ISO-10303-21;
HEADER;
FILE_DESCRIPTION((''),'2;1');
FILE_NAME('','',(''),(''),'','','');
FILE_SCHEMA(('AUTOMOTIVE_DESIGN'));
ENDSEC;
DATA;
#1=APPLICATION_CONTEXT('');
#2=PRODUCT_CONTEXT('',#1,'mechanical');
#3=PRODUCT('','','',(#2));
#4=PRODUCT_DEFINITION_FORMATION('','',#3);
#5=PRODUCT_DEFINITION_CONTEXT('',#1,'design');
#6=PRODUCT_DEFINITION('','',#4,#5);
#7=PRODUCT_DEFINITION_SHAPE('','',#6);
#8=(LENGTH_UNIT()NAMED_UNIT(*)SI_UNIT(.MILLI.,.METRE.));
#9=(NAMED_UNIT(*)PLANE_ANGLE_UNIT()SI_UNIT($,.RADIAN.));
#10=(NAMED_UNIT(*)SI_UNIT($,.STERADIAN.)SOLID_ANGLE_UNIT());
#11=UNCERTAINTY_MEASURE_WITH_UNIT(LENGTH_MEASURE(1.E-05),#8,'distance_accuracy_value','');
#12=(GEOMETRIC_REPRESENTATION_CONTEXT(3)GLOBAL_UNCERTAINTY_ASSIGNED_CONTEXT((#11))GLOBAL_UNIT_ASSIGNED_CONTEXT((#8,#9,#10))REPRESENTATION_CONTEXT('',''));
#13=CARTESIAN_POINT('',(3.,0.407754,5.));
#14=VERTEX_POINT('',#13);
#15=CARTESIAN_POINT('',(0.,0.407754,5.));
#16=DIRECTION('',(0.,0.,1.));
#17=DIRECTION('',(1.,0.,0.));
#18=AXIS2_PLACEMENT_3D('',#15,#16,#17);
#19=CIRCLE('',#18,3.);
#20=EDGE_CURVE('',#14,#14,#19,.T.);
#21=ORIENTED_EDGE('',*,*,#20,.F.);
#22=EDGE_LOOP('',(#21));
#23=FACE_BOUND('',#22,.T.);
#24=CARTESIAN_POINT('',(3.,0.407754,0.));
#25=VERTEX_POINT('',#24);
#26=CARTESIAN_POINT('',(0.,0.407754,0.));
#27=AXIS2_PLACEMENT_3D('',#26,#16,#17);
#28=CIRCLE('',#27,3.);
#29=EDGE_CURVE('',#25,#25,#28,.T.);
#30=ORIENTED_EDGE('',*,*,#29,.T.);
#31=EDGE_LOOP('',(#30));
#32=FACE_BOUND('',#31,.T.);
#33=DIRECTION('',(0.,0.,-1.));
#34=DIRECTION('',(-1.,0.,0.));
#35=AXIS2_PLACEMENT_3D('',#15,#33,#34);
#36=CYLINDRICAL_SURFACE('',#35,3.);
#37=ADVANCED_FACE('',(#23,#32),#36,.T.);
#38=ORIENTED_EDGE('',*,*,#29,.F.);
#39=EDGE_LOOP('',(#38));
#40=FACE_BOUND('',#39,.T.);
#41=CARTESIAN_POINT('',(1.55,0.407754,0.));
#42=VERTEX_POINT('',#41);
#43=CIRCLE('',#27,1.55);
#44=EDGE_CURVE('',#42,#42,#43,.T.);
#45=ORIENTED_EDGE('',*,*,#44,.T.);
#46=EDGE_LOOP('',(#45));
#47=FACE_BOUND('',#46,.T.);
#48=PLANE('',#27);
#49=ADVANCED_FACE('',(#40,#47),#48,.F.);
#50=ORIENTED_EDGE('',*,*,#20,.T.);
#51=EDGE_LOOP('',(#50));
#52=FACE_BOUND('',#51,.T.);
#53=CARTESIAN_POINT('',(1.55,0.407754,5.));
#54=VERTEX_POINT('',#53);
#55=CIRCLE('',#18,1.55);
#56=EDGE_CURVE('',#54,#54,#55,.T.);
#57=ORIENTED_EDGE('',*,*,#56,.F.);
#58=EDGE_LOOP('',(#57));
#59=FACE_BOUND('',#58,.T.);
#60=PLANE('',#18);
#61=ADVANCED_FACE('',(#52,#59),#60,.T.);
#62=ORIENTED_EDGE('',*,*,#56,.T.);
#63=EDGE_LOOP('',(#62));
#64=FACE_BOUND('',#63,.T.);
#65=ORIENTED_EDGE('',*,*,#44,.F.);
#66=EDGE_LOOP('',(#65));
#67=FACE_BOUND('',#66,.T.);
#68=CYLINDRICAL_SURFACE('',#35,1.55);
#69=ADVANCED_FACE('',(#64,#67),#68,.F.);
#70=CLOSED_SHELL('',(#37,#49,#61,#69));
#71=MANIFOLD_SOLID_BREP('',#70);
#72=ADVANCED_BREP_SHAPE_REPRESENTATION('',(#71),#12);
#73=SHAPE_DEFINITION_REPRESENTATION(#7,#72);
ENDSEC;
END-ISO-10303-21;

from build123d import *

# Parameters (mm, degrees)
ESQUISSE1_R        = 3
ESQUISSE1_R_2      = 1.55
BOSS_EXTRU_1_DEPTH = 5


with BuildPart() as part:
    # Esquisse1 → Boss.-Extru.1 (new body)
    with BuildSketch(Plane.XY):
        with Locations((0, 0.407753572)):
            Circle(ESQUISSE1_R)
        with Locations((0, 0.407753572)):
            Circle(ESQUISSE1_R_2, mode=Mode.SUBTRACT)
    extrude(amount=BOSS_EXTRU_1_DEPTH)


solid = part.part
